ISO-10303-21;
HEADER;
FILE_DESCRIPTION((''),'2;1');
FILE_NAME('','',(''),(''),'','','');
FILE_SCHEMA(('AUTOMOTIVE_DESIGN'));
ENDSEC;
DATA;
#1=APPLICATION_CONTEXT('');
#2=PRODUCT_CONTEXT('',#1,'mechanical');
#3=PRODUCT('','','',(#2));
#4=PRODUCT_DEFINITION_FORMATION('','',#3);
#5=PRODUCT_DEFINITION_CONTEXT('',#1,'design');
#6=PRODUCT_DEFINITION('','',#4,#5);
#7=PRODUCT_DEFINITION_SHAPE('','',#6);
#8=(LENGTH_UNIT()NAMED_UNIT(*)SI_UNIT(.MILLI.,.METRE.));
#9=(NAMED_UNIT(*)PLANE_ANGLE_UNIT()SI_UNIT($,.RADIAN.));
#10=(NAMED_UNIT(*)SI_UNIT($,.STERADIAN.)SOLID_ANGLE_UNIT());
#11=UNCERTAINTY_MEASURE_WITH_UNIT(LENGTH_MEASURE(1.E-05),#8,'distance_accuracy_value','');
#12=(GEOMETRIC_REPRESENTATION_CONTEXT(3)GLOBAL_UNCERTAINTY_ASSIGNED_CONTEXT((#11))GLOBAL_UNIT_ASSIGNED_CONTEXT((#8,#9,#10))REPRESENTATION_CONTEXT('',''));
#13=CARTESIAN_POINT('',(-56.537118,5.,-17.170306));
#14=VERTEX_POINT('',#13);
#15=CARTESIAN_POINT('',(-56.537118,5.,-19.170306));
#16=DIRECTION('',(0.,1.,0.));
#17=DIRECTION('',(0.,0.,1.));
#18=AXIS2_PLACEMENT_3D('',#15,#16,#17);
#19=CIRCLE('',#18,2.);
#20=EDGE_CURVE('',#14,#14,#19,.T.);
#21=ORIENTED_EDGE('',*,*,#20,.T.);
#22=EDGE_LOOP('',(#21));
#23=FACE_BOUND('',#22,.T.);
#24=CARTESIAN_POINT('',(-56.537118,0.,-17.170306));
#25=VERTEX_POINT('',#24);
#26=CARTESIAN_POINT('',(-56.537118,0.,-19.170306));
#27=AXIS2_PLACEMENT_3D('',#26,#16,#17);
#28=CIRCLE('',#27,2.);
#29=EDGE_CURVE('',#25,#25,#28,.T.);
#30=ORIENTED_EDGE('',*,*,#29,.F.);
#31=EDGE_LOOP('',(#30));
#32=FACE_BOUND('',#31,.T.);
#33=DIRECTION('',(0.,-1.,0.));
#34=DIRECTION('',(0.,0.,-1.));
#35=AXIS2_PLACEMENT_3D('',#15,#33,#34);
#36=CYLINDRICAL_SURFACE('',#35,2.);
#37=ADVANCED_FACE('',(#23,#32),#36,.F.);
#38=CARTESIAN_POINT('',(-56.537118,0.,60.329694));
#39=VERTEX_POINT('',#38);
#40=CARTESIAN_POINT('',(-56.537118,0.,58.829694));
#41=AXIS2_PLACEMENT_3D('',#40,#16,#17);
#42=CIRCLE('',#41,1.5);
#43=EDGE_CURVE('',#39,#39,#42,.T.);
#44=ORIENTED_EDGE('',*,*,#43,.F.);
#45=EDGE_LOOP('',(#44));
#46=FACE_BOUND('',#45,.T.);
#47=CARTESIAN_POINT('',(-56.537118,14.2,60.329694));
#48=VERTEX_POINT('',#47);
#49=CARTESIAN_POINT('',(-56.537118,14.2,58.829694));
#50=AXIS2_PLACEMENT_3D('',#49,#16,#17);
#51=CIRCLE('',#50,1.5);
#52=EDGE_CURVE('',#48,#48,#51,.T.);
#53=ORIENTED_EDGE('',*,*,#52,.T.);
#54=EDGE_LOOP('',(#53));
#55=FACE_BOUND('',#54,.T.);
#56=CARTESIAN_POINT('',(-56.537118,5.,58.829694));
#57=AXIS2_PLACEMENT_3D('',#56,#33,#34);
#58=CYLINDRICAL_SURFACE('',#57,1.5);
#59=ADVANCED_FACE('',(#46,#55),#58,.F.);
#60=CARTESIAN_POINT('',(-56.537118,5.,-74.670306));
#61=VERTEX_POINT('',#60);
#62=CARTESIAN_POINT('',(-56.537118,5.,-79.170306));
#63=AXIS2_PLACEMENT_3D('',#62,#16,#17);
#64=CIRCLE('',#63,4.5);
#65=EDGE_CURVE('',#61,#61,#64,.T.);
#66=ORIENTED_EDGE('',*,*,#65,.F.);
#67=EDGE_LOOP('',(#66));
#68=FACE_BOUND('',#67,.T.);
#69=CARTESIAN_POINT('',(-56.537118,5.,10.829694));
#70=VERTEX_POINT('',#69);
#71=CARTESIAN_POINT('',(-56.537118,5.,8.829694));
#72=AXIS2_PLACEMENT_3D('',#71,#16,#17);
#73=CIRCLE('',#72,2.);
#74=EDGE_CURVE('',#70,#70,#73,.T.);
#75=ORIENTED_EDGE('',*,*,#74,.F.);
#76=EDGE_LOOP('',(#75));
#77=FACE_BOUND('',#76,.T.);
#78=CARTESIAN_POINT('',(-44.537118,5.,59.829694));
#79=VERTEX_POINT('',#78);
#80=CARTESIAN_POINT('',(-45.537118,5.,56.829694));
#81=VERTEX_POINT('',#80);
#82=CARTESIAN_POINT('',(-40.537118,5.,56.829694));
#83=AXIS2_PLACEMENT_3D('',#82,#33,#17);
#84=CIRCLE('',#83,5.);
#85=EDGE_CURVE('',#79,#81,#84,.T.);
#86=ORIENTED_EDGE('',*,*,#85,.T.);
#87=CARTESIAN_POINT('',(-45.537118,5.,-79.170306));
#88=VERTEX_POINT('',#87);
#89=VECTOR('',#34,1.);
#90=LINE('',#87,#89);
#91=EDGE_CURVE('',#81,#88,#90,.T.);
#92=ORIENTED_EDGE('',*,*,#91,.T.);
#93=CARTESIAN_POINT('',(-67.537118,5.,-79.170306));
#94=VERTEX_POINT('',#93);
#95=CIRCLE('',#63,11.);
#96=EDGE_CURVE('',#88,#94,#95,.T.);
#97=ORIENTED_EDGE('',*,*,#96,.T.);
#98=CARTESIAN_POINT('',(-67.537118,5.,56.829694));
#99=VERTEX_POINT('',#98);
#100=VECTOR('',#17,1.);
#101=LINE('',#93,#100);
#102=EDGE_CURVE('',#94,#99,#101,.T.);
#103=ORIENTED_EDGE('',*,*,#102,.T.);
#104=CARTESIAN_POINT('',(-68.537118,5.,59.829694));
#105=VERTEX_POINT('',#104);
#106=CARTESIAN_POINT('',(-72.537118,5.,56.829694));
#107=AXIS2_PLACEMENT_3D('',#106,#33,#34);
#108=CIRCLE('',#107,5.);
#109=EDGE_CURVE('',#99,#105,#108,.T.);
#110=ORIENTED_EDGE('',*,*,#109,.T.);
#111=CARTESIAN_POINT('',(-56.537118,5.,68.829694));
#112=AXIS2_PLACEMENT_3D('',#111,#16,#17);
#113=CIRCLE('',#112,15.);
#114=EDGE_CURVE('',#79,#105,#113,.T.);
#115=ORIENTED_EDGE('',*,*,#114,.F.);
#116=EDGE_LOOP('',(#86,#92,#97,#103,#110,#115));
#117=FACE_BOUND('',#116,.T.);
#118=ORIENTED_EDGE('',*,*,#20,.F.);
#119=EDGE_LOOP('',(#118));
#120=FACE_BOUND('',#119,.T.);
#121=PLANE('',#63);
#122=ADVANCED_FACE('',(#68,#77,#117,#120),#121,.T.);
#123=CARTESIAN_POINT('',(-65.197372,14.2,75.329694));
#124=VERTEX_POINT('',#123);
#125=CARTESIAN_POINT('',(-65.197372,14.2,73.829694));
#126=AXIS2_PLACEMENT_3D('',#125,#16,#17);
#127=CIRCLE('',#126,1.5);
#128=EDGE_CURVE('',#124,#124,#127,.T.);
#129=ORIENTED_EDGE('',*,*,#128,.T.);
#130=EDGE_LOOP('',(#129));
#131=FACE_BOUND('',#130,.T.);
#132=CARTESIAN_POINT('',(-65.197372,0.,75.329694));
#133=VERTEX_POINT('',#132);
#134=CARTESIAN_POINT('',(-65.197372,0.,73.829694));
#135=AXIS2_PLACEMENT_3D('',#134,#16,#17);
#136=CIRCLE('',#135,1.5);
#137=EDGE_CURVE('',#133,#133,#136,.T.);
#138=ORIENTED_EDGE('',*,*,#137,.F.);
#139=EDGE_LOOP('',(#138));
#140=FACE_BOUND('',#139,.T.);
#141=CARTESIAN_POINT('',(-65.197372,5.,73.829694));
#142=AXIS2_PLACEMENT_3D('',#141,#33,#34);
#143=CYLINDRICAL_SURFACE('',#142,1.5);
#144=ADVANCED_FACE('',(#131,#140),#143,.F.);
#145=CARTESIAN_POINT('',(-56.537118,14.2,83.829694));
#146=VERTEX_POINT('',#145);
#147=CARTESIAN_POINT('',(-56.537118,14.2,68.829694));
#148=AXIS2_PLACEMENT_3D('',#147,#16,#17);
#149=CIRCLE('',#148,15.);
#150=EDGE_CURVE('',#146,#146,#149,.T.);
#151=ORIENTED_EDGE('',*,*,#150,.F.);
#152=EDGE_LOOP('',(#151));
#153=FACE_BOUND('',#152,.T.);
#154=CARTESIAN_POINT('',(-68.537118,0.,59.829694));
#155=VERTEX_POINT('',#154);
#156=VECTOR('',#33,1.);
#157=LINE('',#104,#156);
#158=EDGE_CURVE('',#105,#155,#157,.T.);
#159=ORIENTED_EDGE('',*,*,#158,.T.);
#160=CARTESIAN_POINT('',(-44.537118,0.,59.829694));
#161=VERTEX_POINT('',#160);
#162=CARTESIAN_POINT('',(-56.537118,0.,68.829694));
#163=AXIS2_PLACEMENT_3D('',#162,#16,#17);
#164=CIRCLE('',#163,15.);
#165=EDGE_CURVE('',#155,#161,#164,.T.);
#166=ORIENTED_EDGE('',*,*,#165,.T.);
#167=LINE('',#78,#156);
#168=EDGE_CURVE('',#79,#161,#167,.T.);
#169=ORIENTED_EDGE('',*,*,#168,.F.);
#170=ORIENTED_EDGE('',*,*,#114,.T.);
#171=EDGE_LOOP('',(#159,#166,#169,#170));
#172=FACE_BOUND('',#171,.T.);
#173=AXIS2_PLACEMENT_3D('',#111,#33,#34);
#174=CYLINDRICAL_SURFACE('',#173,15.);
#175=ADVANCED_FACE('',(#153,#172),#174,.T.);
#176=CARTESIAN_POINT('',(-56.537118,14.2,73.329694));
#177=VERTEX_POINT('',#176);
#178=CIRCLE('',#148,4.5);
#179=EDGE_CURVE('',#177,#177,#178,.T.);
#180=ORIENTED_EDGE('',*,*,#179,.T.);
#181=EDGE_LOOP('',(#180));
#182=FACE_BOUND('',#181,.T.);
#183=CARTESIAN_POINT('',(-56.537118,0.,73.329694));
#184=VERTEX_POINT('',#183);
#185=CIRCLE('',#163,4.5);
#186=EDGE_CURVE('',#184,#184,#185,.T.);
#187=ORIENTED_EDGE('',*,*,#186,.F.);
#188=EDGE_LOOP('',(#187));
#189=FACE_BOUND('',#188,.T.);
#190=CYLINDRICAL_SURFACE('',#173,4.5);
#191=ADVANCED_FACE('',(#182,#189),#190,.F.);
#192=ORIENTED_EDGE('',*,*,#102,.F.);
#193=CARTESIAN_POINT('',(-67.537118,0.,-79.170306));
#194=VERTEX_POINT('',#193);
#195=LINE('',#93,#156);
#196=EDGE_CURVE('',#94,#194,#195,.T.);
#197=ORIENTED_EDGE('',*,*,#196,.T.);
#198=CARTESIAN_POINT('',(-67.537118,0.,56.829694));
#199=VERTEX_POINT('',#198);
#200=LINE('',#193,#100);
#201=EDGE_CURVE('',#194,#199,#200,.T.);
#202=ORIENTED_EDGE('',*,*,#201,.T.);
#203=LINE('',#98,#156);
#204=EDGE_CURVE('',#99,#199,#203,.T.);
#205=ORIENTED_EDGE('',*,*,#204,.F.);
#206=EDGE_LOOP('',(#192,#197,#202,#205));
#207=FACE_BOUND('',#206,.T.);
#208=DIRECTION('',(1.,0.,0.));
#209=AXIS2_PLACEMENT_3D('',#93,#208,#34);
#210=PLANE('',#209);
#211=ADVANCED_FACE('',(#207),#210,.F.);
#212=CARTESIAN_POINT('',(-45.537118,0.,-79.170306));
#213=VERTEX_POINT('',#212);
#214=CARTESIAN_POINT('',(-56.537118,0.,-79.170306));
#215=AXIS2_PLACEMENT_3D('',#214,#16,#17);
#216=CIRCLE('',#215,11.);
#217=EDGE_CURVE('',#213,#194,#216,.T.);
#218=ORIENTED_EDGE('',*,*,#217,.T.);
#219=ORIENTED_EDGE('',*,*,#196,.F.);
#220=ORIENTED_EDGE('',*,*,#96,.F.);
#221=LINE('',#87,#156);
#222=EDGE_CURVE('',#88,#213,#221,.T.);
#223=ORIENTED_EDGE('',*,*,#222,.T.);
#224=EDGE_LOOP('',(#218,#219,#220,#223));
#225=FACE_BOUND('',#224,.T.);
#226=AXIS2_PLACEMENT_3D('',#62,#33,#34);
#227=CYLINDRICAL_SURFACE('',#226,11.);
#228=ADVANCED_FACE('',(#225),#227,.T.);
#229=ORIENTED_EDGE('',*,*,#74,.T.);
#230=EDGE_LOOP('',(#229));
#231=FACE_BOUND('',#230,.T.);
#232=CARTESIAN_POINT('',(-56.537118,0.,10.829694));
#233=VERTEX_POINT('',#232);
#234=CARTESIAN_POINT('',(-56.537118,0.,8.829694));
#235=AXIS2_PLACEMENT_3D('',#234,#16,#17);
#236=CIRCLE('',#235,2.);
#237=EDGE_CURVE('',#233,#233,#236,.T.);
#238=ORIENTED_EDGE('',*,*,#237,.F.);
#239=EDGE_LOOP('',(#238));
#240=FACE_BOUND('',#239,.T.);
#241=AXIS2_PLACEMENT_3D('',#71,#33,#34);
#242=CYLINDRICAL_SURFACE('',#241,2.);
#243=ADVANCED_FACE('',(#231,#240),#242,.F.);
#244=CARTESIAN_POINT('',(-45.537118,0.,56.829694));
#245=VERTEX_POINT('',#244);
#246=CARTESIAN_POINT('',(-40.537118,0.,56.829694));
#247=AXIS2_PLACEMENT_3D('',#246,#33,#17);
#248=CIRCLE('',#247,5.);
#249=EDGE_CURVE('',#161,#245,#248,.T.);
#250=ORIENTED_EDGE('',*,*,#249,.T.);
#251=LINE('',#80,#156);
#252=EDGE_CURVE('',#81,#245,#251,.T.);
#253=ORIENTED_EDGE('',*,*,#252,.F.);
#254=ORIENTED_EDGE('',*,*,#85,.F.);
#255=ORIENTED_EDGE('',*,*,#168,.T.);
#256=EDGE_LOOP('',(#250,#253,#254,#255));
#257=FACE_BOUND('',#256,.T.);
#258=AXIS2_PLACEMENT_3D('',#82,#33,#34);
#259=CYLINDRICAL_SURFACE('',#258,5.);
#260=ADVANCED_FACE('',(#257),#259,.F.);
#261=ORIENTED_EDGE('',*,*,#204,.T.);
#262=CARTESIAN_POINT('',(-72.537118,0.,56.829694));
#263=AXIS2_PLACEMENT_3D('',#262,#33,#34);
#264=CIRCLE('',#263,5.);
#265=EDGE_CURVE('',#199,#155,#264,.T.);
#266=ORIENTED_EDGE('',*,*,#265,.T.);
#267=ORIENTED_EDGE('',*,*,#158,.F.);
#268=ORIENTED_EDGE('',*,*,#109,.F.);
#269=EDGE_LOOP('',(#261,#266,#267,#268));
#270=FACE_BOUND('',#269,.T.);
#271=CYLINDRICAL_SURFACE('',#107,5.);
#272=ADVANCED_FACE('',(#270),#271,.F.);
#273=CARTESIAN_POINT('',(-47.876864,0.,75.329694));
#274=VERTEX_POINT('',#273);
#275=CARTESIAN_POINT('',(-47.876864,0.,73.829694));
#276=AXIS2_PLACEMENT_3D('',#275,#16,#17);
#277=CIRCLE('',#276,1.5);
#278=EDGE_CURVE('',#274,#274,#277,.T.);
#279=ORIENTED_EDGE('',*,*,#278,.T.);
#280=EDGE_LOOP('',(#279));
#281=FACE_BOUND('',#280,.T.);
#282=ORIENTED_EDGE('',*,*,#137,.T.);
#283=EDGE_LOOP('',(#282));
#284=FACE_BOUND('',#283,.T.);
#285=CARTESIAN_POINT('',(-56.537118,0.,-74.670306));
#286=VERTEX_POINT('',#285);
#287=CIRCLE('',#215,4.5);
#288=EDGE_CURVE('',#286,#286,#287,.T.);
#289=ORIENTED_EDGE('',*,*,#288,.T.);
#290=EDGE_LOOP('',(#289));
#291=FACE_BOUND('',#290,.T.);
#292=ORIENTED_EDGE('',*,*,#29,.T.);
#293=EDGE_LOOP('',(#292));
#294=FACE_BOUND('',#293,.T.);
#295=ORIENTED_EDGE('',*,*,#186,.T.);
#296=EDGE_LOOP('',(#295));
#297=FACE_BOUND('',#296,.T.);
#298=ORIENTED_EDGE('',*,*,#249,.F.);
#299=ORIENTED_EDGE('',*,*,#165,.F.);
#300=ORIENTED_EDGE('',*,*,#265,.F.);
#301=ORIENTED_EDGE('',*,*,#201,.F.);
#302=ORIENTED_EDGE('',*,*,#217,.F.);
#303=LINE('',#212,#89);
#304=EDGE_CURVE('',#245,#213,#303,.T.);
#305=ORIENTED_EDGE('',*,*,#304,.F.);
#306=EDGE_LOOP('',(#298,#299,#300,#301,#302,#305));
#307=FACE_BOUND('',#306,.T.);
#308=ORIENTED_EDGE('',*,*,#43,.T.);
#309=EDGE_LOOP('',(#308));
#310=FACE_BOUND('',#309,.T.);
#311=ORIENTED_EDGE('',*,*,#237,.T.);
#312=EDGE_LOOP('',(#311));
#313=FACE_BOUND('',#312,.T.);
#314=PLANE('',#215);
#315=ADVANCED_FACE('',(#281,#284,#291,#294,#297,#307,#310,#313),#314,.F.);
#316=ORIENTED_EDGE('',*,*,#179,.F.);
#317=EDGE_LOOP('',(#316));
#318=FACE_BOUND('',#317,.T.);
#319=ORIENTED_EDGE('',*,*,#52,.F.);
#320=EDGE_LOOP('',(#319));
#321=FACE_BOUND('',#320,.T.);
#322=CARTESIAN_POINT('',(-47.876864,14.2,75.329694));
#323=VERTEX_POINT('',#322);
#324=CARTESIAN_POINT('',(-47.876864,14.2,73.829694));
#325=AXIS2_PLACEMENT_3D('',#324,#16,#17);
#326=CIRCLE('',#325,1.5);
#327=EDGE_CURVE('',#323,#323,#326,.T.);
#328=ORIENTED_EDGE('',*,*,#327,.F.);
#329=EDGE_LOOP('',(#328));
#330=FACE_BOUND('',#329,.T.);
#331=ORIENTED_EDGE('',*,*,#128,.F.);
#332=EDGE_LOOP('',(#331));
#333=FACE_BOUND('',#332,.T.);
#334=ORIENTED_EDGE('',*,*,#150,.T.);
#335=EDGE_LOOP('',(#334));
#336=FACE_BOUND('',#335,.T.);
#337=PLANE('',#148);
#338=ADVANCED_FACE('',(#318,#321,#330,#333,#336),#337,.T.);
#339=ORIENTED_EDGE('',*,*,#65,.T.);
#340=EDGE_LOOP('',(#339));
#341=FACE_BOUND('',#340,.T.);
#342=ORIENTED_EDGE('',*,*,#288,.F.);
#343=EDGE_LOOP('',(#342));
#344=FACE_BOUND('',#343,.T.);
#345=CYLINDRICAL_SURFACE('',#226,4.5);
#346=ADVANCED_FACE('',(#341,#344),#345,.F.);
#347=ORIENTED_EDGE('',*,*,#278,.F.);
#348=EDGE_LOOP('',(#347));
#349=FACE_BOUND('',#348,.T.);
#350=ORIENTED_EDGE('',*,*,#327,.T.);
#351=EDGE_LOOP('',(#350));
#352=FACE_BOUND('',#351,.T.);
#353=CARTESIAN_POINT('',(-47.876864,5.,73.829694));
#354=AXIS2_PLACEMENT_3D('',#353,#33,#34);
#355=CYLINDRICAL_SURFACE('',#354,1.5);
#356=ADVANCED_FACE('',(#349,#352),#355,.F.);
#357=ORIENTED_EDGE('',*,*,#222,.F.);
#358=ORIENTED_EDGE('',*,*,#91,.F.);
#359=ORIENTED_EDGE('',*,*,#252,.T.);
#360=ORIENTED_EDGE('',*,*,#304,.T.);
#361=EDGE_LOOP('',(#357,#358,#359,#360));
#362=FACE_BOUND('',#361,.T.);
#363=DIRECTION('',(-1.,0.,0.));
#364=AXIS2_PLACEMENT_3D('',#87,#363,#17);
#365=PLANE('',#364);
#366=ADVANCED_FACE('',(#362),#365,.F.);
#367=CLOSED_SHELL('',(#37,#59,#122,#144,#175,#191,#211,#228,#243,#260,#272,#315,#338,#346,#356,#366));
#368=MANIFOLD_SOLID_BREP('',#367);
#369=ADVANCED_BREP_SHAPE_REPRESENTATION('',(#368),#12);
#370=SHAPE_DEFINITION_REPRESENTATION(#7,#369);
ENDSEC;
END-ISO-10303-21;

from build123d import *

# Parameters (mm, degrees)
SKETCH_1_R      = 4.5
SKETCH_1_R_2    = 2
SKETCH_1_R_3    = 1.5
EXTRUDE_1_DEPTH = 5
SKETCH_2_R      = 15
SKETCH_2_R_2    = 1.5
SKETCH_2_R_3    = 4.5
EXTRUDE_3_DEPTH = 9.2


with BuildPart() as part:
    # 草图1 → 凸台-拉伸1 (new body)
    with BuildSketch(Plane(origin=(0, 0, 0), x_dir=(1, 0, 0), z_dir=(0, 1, 0))):
        with BuildLine():
            Line((-67.537117904, 79.170305677), (-67.537117904, -56.829694323))
            ThreePointArc((-67.537117904, -56.829694323), (-67.793701414, -58.410833153), (-68.537117904, -59.829694323))
            ThreePointArc((-68.537117904, -59.829694323), (-56.537117904, -83.829694323), (-44.537117904, -59.829694323))
            ThreePointArc((-44.537117904, -59.829694323), (-45.280534394, -58.410833153), (-45.537117904, -56.829694323))
            Line((-45.537117904, -56.829694323), (-45.537117904, 79.170305677))
            ThreePointArc((-45.537117904, 79.170305677), (-56.537117904, 90.170305677), (-67.537117904, 79.170305677))
        make_face()
        with Locations(Location((-56.537117904, 79.170305677, 0), (0, 0, 270))):
            Circle(SKETCH_1_R, mode=Mode.SUBTRACT)
        with Locations(Location((-56.537117904, 19.170305677, 0), (0, 0, 270))):
            Circle(SKETCH_1_R_2, mode=Mode.SUBTRACT)
        with Locations(Location((-56.537117904, -8.829694323, 0), (0, 0, 270))):
            Circle(SKETCH_1_R_2, mode=Mode.SUBTRACT)
        with Locations(Location((-56.537117904, -68.829694323, 0), (0, 0, 270))):
            Circle(SKETCH_1_R, mode=Mode.SUBTRACT)
        with Locations(Location((-65.197371942, -73.829694323, 0), (0, 0, 270))):
            Circle(SKETCH_1_R_3, mode=Mode.SUBTRACT)
        with Locations(Location((-47.876863866, -73.829694323, 0), (0, 0, 270))):
            Circle(SKETCH_1_R_3, mode=Mode.SUBTRACT)
        with Locations(Location((-56.537117904, -58.829694323, 0), (0, 0, 270))):
            Circle(SKETCH_1_R_3, mode=Mode.SUBTRACT)
    extrude(amount=EXTRUDE_1_DEPTH)

    # 草图2 → 凸台-拉伸3 (add)
    with BuildSketch(Plane(origin=(0, 5, 0), x_dir=(1, 0, 0), z_dir=(0, 1, 0))):
        with Locations(Location((-56.537117904, -68.829694323, 0), (0, 0, 36.869897646))):
            Circle(SKETCH_2_R)
        with Locations(Location((-65.197371942, -73.829694323, 0), (0, 0, 270))):
            Circle(SKETCH_2_R_2, mode=Mode.SUBTRACT)
        with Locations(Location((-56.537117904, -58.829694323, 0), (0, 0, 270))):
            Circle(SKETCH_2_R_2, mode=Mode.SUBTRACT)
        with Locations(Location((-47.876863866, -73.829694323, 0), (0, 0, 270))):
            Circle(SKETCH_2_R_2, mode=Mode.SUBTRACT)
        with Locations(Location((-56.537117904, -68.829694323, 0), (0, 0, 270))):
            Circle(SKETCH_2_R_3, mode=Mode.SUBTRACT)
    extrude(amount=EXTRUDE_3_DEPTH)


solid = part.part
